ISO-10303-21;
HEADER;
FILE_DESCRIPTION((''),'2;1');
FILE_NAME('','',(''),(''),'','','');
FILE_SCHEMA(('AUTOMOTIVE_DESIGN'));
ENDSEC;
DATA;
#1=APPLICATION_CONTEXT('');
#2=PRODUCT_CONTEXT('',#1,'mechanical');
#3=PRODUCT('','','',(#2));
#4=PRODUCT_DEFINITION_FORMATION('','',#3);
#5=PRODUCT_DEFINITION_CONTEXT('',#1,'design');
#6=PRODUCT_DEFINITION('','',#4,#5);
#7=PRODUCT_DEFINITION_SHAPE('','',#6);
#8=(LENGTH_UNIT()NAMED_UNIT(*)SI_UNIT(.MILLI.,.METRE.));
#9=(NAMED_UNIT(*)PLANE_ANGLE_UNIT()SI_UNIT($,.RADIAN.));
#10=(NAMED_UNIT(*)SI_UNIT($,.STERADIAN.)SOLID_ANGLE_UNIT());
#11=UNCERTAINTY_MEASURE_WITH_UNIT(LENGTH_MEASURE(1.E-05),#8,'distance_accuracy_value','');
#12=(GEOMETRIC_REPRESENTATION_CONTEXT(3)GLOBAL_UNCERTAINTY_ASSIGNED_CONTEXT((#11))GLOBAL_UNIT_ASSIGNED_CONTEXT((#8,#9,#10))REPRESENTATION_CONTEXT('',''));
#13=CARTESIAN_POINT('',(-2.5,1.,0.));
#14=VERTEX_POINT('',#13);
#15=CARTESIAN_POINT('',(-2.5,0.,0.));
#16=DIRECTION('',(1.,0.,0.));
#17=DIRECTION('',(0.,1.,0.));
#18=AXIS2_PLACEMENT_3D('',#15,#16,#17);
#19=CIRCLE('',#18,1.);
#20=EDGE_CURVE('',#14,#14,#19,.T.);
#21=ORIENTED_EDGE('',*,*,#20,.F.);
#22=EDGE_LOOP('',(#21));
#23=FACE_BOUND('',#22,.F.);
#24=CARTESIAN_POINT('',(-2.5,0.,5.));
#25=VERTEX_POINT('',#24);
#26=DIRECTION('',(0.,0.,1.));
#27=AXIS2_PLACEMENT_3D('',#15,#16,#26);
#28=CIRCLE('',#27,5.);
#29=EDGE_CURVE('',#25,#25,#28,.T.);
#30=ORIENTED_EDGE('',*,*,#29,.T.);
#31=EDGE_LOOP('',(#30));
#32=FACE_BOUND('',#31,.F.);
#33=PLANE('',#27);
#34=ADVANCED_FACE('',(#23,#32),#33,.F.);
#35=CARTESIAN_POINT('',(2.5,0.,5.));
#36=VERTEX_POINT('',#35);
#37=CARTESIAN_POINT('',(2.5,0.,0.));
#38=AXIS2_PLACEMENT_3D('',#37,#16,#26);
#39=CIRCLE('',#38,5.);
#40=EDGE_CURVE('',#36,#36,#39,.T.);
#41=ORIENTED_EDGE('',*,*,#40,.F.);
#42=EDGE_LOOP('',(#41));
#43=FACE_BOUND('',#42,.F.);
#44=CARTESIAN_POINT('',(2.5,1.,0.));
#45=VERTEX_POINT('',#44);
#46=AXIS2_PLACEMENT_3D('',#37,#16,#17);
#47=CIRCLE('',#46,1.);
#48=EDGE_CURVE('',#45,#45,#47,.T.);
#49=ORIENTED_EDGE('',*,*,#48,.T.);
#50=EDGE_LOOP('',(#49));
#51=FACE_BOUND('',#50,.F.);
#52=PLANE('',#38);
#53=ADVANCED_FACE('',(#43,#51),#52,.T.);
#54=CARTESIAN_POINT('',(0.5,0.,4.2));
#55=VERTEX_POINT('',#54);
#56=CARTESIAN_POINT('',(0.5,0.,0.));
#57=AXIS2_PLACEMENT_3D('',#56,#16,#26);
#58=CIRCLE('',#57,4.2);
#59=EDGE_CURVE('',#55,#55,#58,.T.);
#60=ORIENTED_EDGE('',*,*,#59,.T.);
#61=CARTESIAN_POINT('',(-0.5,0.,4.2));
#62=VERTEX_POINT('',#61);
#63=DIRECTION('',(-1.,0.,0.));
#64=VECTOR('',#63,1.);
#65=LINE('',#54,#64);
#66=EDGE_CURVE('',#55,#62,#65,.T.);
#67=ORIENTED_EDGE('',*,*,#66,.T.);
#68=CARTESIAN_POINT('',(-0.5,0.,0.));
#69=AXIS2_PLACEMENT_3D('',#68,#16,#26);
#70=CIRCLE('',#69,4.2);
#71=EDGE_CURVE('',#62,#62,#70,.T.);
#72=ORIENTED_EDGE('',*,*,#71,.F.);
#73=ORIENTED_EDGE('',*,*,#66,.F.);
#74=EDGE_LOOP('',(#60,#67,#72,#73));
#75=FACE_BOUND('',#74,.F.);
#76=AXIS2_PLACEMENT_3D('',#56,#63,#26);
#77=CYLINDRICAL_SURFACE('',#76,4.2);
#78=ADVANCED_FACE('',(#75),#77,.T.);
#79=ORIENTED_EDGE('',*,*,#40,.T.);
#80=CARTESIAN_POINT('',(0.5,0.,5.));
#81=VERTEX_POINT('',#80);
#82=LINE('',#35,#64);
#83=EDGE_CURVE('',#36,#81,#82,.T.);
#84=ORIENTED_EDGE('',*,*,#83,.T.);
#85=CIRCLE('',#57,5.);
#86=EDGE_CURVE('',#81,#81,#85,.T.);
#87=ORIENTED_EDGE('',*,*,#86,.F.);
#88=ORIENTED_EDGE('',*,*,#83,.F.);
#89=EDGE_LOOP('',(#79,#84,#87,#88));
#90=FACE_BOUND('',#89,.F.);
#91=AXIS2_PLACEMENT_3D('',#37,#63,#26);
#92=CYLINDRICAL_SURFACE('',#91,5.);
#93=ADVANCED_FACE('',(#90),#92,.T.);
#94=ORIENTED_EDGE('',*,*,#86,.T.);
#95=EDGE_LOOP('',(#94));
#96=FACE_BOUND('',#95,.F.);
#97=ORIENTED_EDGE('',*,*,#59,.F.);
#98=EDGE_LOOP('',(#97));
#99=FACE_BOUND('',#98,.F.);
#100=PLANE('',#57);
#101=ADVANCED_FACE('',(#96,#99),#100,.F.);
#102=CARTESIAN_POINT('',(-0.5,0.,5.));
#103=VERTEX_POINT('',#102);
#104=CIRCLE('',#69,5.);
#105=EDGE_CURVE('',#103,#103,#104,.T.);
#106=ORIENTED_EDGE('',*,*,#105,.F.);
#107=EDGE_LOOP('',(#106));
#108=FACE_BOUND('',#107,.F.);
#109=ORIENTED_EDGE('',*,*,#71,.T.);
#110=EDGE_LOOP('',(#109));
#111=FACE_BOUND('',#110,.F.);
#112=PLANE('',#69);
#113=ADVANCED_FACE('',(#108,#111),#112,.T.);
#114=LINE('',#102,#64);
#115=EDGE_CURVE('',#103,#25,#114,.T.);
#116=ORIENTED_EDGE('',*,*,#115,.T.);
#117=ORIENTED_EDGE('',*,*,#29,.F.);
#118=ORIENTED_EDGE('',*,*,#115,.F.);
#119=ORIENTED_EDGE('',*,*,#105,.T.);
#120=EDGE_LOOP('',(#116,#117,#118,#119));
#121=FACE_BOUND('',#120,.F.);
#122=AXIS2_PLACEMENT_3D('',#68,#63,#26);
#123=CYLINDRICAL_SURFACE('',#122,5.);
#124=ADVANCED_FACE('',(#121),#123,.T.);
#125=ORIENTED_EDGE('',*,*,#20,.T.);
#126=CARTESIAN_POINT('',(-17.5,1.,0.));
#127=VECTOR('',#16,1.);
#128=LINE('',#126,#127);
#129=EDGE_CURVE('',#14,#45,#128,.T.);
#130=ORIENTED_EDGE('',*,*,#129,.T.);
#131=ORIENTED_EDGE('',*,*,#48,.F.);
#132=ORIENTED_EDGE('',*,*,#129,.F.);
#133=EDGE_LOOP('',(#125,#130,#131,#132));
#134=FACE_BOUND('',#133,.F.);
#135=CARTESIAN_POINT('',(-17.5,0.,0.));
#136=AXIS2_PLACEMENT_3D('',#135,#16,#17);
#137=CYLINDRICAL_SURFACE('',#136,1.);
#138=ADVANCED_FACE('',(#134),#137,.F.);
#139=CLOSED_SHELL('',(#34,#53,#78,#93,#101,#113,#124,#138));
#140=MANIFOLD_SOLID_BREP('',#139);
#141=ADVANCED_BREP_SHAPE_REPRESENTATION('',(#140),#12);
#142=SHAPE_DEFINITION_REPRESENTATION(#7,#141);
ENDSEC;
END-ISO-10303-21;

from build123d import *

# Parameters (mm, degrees)
F3_D = 2


with BuildPart() as f1:
    # F0 (on Front) → F1 (revolve)
    with BuildSketch(Plane.XZ):
        Polygon((-2.5, 5), (-2.5, 0), (2.5, 0), (2.5, 5), (0.5, 5), (0.5, 4.2), (-0.5, 4.2), (-0.5, 5), align=None)
    revolve(axis=Axis((0.0154641815, 0, 0), (1, 0, 0)))

    # F3 (through all)
    with Locations(Plane(origin=(-2.5, 0, 0), x_dir=(0, -1, 0), z_dir=(-1, 0, 0))):
        with Locations((0, 0)):
            Hole(F3_D / 2)


solid = f1.part
